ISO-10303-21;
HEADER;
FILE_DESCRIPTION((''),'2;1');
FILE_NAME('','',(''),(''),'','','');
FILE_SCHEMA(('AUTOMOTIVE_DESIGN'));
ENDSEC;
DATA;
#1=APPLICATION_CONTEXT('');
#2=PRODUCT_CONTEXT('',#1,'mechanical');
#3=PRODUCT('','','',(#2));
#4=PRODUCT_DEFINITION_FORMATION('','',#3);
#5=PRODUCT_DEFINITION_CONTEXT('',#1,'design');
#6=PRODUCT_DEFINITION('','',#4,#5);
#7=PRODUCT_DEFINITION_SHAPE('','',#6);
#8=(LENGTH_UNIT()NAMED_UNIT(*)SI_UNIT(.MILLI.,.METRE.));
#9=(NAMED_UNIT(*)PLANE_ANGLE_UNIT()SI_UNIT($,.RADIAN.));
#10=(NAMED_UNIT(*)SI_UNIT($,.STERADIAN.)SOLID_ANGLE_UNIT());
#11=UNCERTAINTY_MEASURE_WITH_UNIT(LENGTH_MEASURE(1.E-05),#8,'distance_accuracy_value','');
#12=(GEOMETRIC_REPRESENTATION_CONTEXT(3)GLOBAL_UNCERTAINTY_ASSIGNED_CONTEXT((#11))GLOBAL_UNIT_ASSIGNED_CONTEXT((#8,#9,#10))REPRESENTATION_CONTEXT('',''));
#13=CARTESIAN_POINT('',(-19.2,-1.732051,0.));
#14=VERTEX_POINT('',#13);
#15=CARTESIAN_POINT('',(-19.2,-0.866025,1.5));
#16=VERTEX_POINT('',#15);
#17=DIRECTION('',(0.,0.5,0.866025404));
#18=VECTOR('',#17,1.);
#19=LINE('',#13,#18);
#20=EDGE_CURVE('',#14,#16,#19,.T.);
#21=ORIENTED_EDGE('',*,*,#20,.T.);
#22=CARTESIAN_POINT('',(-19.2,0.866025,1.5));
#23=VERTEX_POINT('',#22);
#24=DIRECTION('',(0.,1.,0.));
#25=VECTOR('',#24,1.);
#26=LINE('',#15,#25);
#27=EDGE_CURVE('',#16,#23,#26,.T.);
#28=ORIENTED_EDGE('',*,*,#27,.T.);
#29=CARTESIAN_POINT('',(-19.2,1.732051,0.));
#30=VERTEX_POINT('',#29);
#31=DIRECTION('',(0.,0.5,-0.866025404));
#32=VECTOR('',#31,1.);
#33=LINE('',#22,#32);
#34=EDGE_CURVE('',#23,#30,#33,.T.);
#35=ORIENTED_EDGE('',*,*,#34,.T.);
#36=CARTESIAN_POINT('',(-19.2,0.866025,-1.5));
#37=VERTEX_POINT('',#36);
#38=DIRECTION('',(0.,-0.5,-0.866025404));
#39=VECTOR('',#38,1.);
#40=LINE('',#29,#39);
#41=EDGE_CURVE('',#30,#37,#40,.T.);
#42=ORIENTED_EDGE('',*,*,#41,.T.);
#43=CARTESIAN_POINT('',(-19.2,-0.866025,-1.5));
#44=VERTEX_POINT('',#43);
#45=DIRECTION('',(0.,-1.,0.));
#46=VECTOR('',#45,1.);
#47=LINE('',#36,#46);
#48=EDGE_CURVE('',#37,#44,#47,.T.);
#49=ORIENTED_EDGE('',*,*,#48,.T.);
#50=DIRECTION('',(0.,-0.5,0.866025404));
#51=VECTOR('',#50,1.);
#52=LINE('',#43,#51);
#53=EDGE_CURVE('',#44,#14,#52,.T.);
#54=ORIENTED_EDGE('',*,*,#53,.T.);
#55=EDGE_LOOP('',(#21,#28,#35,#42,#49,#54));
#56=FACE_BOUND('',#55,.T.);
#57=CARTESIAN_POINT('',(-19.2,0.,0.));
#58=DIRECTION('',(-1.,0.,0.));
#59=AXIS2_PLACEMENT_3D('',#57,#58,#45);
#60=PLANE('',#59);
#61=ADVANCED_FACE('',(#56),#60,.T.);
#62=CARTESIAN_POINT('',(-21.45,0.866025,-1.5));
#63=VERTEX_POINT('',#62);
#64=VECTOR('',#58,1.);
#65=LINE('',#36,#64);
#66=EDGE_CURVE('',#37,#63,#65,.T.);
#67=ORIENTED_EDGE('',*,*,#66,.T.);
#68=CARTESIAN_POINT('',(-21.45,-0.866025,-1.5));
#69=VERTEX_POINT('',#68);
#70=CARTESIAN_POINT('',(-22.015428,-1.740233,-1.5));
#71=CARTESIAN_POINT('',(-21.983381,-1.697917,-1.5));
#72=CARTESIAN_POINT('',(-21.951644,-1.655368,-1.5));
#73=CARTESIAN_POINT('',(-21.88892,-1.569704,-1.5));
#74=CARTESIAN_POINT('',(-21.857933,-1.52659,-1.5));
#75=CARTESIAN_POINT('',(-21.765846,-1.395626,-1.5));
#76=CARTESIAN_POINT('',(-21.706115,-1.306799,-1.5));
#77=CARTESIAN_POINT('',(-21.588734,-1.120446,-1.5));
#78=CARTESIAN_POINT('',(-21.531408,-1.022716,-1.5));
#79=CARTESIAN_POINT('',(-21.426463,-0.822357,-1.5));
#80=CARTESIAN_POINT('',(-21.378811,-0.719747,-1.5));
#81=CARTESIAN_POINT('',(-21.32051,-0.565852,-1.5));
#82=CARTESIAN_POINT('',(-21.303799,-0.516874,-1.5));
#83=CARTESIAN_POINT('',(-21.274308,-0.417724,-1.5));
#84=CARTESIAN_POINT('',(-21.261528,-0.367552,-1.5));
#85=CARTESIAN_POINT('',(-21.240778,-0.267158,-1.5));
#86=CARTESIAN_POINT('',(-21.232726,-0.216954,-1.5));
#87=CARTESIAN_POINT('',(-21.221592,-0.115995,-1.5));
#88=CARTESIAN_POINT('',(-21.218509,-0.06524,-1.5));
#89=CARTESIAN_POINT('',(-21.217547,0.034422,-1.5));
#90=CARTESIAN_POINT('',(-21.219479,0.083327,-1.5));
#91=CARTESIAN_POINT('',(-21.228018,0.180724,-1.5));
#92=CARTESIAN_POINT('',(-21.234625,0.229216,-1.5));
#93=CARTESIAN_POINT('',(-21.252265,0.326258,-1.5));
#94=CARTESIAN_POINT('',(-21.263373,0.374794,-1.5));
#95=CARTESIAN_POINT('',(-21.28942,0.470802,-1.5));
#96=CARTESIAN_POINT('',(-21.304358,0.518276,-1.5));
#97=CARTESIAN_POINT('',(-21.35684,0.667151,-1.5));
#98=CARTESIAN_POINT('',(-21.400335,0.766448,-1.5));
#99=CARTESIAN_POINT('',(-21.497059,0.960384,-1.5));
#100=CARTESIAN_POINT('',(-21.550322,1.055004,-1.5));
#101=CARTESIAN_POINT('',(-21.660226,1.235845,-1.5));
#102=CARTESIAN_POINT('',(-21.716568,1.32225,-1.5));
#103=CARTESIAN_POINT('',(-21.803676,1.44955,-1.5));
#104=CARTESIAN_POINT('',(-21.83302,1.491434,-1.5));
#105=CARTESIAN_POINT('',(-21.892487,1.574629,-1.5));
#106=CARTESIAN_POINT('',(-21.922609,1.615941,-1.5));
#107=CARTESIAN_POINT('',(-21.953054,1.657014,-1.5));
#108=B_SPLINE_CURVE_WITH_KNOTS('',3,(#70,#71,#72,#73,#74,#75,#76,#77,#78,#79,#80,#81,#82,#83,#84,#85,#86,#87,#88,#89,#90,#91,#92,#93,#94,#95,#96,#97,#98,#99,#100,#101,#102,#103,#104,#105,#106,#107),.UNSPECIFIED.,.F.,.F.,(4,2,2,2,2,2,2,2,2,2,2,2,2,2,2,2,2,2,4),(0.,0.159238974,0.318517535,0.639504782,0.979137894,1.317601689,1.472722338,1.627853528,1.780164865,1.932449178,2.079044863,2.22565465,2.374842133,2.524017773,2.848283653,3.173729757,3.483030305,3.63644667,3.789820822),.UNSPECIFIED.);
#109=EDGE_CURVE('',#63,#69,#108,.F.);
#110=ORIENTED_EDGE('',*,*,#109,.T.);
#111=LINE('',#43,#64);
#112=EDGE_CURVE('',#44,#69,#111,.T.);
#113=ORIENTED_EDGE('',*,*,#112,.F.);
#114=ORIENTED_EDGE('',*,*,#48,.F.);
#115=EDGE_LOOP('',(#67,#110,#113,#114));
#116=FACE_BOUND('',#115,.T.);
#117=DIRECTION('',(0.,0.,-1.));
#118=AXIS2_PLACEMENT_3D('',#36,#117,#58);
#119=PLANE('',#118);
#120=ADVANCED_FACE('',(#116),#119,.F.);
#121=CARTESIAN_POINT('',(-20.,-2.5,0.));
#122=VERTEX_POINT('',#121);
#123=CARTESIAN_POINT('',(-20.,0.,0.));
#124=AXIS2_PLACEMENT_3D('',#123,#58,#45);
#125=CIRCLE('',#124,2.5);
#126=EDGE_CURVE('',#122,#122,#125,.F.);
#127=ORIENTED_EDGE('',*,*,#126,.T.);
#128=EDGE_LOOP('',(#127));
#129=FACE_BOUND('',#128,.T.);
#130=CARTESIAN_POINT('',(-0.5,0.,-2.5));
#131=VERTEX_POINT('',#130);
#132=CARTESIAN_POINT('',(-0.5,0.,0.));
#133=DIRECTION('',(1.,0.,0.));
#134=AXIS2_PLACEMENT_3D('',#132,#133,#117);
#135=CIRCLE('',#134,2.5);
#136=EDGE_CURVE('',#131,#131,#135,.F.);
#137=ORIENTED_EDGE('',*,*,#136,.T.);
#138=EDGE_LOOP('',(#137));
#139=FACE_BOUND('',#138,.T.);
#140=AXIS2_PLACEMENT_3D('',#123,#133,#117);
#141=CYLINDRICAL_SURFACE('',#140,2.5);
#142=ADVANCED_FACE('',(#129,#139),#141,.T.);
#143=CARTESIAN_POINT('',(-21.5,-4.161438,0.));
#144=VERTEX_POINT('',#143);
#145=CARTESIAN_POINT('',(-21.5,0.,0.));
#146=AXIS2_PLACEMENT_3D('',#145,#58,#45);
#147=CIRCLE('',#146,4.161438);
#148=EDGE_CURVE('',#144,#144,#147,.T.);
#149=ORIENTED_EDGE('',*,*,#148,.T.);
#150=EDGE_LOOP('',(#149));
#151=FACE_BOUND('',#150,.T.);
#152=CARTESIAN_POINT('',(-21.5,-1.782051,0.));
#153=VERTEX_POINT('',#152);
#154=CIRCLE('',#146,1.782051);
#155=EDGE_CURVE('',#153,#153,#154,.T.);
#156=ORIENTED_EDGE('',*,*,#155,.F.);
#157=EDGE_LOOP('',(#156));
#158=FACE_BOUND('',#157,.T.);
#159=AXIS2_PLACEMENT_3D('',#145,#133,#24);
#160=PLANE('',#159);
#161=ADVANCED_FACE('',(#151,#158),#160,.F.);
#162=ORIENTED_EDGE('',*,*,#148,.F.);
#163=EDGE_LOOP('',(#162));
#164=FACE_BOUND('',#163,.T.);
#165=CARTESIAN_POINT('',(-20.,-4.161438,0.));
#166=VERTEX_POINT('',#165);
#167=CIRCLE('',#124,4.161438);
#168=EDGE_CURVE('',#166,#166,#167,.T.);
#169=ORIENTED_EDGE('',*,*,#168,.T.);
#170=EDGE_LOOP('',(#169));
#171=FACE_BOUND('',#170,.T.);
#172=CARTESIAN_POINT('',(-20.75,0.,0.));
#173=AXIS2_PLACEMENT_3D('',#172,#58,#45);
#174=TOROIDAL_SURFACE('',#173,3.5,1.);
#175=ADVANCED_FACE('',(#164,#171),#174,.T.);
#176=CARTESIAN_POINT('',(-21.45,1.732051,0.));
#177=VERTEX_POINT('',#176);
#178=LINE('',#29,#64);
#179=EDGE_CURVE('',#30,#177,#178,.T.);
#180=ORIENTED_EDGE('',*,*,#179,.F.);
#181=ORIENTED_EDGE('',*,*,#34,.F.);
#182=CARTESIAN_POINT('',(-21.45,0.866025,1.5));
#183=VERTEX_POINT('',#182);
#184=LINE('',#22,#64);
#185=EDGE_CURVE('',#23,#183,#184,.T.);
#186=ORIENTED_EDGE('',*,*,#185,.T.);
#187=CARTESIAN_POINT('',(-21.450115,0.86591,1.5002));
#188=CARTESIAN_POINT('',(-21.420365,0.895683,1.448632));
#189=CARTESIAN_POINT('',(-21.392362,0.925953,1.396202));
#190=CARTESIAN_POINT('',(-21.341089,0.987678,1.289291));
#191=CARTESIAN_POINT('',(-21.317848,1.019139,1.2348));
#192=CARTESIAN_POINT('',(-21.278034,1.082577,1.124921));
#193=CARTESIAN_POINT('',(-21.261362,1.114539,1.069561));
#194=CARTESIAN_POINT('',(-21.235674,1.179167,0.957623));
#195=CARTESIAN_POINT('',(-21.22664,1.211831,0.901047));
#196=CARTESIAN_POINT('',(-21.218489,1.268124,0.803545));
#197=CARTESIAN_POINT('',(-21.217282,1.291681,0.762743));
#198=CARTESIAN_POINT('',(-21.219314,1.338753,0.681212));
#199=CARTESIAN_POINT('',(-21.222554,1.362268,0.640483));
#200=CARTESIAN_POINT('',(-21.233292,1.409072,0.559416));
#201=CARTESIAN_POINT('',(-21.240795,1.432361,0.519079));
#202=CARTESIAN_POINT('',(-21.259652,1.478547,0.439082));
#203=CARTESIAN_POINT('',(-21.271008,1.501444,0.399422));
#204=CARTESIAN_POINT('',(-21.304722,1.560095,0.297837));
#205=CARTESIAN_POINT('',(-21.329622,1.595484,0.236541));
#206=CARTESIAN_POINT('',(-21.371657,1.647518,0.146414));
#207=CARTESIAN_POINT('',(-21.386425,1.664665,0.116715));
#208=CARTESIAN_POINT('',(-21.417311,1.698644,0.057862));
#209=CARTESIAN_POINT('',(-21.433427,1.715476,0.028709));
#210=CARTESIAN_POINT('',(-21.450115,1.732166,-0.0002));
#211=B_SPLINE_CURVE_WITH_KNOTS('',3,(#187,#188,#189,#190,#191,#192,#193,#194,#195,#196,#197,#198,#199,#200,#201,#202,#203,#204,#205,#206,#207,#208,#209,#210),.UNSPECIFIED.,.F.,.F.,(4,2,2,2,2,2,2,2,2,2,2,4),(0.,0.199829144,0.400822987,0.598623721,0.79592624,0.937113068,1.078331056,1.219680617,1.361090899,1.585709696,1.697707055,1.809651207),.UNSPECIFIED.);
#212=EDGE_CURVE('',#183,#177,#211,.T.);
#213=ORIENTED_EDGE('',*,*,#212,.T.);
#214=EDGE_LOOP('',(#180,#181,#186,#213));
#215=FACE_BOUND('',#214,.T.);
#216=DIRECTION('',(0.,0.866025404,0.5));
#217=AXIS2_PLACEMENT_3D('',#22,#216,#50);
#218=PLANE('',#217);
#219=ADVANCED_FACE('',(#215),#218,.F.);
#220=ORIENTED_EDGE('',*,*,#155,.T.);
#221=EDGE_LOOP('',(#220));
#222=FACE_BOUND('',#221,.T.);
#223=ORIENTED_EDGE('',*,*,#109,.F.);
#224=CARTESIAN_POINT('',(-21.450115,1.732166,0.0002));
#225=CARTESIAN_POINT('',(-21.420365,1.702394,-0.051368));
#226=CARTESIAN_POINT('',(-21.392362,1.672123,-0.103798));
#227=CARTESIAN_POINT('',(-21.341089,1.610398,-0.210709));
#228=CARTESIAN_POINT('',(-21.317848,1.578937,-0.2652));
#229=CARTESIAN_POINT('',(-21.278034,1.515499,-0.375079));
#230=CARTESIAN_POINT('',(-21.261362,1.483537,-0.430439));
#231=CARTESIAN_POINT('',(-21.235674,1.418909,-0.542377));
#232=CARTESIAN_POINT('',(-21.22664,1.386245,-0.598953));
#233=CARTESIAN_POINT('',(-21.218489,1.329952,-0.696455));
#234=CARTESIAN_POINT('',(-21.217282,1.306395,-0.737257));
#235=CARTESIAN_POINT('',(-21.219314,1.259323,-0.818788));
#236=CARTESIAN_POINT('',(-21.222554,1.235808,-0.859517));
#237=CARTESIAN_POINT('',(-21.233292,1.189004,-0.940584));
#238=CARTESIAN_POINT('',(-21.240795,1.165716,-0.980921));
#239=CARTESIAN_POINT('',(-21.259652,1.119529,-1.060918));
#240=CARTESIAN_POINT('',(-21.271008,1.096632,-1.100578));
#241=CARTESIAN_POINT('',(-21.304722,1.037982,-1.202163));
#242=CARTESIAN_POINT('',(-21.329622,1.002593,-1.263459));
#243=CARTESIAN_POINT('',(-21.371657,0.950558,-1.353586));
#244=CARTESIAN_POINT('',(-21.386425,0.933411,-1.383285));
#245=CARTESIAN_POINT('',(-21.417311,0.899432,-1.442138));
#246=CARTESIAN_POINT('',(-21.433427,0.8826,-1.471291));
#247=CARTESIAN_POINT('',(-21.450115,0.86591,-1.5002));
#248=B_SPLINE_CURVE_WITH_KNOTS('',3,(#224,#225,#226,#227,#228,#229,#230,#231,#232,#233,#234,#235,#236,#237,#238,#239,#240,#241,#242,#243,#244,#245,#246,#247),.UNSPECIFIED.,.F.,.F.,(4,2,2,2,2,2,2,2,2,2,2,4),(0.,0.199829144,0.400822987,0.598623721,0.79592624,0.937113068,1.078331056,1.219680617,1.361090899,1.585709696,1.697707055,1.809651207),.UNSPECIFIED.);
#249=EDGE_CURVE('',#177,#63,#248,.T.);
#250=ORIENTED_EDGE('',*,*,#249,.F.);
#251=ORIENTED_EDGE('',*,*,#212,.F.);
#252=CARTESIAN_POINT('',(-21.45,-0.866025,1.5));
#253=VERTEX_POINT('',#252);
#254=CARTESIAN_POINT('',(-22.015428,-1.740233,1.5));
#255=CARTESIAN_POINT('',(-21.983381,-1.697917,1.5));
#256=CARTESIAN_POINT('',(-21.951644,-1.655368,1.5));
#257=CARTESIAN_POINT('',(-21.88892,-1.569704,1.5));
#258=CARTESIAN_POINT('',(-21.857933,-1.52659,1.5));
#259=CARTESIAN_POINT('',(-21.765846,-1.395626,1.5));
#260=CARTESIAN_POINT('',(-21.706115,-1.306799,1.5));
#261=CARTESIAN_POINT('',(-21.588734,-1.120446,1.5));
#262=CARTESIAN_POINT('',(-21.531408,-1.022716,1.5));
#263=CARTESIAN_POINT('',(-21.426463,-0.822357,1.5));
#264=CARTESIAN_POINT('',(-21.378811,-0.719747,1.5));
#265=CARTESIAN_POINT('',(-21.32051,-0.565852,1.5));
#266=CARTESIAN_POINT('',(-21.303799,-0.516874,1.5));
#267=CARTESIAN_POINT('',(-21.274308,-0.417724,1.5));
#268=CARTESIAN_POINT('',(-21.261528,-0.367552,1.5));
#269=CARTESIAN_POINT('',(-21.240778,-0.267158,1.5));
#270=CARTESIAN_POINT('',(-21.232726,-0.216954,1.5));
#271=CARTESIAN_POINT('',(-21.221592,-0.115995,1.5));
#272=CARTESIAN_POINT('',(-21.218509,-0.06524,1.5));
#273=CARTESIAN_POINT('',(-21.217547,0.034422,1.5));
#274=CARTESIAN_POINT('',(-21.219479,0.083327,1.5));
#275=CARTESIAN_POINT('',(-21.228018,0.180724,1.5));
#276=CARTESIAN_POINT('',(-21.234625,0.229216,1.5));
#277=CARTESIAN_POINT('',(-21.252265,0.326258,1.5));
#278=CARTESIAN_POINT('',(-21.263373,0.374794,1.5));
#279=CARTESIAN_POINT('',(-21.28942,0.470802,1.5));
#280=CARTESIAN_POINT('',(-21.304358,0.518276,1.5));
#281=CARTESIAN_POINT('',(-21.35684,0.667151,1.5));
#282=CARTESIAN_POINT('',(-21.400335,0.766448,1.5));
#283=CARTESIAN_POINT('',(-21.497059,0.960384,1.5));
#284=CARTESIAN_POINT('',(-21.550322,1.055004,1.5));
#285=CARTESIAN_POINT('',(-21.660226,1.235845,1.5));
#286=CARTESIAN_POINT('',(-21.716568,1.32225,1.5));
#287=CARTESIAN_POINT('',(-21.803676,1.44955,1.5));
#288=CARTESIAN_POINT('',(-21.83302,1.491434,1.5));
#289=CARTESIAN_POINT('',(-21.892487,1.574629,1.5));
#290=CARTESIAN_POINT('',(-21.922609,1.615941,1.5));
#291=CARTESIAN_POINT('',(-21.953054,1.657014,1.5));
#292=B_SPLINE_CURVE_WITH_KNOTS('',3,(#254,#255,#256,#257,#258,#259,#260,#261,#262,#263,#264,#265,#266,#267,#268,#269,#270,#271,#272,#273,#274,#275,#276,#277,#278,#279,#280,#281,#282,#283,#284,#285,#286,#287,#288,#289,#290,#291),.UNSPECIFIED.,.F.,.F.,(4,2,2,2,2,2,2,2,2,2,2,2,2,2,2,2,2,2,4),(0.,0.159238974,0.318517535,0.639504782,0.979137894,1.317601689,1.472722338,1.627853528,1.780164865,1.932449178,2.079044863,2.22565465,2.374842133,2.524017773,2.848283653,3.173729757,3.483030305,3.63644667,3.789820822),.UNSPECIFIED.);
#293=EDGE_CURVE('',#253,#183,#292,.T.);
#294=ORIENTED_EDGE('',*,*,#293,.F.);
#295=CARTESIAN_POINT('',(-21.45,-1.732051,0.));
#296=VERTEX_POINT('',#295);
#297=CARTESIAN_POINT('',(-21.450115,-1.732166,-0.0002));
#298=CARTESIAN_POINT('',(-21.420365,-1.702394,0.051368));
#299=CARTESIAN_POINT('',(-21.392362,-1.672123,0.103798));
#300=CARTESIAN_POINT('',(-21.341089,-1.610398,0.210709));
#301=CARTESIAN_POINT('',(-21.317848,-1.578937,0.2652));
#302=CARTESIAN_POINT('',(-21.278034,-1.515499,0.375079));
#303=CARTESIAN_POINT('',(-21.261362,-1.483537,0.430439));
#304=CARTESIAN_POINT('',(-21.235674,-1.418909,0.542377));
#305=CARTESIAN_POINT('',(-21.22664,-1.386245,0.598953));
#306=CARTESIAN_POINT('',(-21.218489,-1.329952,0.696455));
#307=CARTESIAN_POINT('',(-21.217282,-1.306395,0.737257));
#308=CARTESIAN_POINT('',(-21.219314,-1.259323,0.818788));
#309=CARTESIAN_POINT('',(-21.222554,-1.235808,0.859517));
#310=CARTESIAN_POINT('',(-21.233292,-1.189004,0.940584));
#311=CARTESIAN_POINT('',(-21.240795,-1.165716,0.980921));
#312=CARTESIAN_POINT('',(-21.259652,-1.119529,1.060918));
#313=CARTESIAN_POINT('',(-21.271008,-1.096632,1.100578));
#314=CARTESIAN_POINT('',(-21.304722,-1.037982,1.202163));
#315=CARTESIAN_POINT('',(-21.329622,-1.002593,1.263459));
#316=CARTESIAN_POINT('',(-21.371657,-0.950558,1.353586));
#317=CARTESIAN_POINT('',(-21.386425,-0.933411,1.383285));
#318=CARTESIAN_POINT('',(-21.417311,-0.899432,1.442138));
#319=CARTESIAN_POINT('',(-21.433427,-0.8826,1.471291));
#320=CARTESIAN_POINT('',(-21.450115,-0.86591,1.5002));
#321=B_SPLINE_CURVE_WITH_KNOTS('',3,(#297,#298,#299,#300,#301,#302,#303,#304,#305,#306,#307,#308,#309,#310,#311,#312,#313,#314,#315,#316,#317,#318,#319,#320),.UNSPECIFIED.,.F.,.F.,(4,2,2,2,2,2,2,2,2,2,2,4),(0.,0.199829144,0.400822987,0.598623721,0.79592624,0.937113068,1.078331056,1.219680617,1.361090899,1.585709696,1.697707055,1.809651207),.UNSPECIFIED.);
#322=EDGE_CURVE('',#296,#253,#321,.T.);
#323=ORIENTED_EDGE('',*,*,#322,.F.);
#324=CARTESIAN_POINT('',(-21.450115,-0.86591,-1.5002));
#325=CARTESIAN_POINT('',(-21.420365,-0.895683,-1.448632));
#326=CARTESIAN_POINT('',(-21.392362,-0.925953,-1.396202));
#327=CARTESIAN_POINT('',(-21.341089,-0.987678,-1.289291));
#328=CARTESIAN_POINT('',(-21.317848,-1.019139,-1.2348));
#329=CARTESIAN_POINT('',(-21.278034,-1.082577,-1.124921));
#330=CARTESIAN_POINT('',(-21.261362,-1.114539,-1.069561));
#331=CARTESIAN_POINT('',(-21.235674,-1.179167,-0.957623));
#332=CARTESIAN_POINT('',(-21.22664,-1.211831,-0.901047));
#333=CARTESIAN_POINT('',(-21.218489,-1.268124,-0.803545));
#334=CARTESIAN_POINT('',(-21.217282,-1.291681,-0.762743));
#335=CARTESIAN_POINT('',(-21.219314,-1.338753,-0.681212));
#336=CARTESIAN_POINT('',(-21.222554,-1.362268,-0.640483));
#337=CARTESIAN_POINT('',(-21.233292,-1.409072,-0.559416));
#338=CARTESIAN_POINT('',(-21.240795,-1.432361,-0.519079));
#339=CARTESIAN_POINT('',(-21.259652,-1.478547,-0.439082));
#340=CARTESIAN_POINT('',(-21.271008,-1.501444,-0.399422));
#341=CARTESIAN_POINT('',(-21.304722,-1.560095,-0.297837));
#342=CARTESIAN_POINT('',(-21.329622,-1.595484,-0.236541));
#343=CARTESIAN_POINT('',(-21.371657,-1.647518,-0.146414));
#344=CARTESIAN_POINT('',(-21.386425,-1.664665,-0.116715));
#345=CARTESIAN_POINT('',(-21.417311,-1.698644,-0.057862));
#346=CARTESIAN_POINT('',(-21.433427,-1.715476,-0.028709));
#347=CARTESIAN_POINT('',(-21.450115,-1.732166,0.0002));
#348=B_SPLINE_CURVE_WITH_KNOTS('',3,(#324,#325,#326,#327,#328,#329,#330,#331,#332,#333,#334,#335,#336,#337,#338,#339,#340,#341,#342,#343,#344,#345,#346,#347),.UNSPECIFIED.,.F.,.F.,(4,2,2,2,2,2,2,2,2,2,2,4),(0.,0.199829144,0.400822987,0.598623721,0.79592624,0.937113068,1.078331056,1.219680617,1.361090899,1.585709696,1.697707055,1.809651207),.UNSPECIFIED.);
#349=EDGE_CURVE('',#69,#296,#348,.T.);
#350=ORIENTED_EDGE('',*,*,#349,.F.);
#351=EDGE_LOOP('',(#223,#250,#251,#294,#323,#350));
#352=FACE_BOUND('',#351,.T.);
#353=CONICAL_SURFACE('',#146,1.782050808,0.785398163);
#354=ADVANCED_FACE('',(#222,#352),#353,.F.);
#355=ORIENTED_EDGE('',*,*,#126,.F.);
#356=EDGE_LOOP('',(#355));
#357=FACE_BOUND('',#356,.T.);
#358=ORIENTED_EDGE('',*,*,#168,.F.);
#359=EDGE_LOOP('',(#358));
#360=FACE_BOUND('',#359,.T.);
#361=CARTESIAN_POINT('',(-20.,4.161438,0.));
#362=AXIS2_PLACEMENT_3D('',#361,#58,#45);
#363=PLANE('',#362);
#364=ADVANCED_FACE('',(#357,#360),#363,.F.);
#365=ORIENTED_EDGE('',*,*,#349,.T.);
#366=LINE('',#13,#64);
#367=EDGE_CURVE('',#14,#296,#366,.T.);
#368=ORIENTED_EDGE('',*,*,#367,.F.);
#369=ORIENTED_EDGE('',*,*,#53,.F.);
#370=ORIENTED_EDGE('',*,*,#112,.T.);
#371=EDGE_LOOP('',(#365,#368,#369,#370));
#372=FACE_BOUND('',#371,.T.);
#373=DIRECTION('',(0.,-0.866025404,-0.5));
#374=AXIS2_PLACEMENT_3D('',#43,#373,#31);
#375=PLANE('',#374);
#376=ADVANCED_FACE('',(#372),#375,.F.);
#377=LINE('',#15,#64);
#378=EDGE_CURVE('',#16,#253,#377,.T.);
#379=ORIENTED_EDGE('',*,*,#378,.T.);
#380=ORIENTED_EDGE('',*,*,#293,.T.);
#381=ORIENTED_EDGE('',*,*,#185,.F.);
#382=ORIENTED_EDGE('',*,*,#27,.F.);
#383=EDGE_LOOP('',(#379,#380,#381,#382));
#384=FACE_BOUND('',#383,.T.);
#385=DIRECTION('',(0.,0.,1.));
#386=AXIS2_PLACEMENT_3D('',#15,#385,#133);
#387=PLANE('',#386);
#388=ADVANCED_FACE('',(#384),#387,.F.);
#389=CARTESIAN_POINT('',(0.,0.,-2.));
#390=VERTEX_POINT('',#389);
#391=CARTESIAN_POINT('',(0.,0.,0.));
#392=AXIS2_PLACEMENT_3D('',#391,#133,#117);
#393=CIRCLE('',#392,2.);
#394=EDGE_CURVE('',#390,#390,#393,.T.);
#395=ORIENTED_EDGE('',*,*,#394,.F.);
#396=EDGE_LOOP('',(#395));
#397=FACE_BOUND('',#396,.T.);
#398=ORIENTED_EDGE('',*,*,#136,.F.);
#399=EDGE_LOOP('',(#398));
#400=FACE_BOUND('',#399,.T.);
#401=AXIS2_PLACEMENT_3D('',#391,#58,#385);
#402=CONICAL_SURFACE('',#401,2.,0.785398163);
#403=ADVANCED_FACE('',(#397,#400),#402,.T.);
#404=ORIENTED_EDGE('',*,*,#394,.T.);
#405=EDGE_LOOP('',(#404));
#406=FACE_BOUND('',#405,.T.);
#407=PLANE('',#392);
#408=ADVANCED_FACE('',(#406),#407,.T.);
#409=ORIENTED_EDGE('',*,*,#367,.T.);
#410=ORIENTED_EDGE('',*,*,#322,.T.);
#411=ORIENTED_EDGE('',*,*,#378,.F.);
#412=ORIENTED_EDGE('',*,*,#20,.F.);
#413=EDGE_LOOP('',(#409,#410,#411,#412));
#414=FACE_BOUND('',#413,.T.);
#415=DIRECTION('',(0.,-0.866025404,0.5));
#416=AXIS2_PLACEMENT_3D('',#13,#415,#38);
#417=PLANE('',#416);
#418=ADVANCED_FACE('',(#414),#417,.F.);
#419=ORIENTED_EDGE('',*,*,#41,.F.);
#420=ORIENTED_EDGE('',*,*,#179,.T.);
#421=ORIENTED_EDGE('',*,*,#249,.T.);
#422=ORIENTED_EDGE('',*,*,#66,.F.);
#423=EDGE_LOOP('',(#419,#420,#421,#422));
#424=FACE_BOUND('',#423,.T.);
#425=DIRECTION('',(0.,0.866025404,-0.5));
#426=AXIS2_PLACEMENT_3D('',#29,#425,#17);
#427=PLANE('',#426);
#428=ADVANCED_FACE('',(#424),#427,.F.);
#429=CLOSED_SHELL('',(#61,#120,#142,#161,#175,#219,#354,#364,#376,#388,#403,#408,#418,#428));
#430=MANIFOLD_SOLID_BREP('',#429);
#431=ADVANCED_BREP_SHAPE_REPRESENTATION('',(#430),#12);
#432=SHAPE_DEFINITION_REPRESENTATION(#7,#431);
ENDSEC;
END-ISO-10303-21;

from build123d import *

# Parameters (mm, degrees)
SKETCH2_R           = 2.5
BOSS_EXTRUDE1_DEPTH = 20
CHAMFER1_SIZE       = 0.5
CUT_EXTRUDE1_DEPTH  = 2.3
SKETCH8_R           = 1.782050808
CUT_EXTRUDE2_DEPTH  = 1
CUT_EXTRUDE2_TAPER  = 45


with BuildPart() as part:
    # Sketch2 → Boss-Extrude1 (new body)
    with BuildSketch(Plane(origin=(0, 0, 0), x_dir=(0, 0, -1), z_dir=(1, 0, 0))):
        Circle(SKETCH2_R)
    extrude(amount=-BOSS_EXTRUDE1_DEPTH)

    # Chamfer1
    chamfer1_edges = [part.edges().sort_by_distance(p)[0] for p in [
        (0, 0, 2.5),
    ]]
    chamfer(chamfer1_edges, length=CHAMFER1_SIZE)

    # Sketch6 → Revolve1 (revolve)
    with BuildSketch(Plane.XY):
        with BuildLine():
            Line((-21.5, 0), (-21.5, 4.161437828))
            ThreePointArc((-21.5, 4.161437828), (-20.75, 4.5), (-20, 4.161437828))
            Line((-20, 4.161437828), (-20, 0))
            Line((-20, 0), (-21.5, 0))
        make_face()
    revolve(axis=Axis((-20, 0, 0), (1, 0, 0)))

    # Sketch7 → Cut-Extrude1 (cut)
    with BuildSketch(Plane.ZY.offset(21.5)):
        Polygon((0, 1.732050808), (-1.5, 0.866025404), (-1.5, -0.866025404), (0, -1.732050808), (1.5, -0.866025404), (1.5, 0.866025404), align=None)
    extrude(amount=-CUT_EXTRUDE1_DEPTH, mode=Mode.SUBTRACT)

    # Sketch8 → Cut-Extrude2 (cut)
    with BuildSketch(Plane.ZY.offset(21.5)):
        Circle(SKETCH8_R)
    extrude(amount=-CUT_EXTRUDE2_DEPTH, taper=CUT_EXTRUDE2_TAPER, mode=Mode.SUBTRACT)


solid = part.part
